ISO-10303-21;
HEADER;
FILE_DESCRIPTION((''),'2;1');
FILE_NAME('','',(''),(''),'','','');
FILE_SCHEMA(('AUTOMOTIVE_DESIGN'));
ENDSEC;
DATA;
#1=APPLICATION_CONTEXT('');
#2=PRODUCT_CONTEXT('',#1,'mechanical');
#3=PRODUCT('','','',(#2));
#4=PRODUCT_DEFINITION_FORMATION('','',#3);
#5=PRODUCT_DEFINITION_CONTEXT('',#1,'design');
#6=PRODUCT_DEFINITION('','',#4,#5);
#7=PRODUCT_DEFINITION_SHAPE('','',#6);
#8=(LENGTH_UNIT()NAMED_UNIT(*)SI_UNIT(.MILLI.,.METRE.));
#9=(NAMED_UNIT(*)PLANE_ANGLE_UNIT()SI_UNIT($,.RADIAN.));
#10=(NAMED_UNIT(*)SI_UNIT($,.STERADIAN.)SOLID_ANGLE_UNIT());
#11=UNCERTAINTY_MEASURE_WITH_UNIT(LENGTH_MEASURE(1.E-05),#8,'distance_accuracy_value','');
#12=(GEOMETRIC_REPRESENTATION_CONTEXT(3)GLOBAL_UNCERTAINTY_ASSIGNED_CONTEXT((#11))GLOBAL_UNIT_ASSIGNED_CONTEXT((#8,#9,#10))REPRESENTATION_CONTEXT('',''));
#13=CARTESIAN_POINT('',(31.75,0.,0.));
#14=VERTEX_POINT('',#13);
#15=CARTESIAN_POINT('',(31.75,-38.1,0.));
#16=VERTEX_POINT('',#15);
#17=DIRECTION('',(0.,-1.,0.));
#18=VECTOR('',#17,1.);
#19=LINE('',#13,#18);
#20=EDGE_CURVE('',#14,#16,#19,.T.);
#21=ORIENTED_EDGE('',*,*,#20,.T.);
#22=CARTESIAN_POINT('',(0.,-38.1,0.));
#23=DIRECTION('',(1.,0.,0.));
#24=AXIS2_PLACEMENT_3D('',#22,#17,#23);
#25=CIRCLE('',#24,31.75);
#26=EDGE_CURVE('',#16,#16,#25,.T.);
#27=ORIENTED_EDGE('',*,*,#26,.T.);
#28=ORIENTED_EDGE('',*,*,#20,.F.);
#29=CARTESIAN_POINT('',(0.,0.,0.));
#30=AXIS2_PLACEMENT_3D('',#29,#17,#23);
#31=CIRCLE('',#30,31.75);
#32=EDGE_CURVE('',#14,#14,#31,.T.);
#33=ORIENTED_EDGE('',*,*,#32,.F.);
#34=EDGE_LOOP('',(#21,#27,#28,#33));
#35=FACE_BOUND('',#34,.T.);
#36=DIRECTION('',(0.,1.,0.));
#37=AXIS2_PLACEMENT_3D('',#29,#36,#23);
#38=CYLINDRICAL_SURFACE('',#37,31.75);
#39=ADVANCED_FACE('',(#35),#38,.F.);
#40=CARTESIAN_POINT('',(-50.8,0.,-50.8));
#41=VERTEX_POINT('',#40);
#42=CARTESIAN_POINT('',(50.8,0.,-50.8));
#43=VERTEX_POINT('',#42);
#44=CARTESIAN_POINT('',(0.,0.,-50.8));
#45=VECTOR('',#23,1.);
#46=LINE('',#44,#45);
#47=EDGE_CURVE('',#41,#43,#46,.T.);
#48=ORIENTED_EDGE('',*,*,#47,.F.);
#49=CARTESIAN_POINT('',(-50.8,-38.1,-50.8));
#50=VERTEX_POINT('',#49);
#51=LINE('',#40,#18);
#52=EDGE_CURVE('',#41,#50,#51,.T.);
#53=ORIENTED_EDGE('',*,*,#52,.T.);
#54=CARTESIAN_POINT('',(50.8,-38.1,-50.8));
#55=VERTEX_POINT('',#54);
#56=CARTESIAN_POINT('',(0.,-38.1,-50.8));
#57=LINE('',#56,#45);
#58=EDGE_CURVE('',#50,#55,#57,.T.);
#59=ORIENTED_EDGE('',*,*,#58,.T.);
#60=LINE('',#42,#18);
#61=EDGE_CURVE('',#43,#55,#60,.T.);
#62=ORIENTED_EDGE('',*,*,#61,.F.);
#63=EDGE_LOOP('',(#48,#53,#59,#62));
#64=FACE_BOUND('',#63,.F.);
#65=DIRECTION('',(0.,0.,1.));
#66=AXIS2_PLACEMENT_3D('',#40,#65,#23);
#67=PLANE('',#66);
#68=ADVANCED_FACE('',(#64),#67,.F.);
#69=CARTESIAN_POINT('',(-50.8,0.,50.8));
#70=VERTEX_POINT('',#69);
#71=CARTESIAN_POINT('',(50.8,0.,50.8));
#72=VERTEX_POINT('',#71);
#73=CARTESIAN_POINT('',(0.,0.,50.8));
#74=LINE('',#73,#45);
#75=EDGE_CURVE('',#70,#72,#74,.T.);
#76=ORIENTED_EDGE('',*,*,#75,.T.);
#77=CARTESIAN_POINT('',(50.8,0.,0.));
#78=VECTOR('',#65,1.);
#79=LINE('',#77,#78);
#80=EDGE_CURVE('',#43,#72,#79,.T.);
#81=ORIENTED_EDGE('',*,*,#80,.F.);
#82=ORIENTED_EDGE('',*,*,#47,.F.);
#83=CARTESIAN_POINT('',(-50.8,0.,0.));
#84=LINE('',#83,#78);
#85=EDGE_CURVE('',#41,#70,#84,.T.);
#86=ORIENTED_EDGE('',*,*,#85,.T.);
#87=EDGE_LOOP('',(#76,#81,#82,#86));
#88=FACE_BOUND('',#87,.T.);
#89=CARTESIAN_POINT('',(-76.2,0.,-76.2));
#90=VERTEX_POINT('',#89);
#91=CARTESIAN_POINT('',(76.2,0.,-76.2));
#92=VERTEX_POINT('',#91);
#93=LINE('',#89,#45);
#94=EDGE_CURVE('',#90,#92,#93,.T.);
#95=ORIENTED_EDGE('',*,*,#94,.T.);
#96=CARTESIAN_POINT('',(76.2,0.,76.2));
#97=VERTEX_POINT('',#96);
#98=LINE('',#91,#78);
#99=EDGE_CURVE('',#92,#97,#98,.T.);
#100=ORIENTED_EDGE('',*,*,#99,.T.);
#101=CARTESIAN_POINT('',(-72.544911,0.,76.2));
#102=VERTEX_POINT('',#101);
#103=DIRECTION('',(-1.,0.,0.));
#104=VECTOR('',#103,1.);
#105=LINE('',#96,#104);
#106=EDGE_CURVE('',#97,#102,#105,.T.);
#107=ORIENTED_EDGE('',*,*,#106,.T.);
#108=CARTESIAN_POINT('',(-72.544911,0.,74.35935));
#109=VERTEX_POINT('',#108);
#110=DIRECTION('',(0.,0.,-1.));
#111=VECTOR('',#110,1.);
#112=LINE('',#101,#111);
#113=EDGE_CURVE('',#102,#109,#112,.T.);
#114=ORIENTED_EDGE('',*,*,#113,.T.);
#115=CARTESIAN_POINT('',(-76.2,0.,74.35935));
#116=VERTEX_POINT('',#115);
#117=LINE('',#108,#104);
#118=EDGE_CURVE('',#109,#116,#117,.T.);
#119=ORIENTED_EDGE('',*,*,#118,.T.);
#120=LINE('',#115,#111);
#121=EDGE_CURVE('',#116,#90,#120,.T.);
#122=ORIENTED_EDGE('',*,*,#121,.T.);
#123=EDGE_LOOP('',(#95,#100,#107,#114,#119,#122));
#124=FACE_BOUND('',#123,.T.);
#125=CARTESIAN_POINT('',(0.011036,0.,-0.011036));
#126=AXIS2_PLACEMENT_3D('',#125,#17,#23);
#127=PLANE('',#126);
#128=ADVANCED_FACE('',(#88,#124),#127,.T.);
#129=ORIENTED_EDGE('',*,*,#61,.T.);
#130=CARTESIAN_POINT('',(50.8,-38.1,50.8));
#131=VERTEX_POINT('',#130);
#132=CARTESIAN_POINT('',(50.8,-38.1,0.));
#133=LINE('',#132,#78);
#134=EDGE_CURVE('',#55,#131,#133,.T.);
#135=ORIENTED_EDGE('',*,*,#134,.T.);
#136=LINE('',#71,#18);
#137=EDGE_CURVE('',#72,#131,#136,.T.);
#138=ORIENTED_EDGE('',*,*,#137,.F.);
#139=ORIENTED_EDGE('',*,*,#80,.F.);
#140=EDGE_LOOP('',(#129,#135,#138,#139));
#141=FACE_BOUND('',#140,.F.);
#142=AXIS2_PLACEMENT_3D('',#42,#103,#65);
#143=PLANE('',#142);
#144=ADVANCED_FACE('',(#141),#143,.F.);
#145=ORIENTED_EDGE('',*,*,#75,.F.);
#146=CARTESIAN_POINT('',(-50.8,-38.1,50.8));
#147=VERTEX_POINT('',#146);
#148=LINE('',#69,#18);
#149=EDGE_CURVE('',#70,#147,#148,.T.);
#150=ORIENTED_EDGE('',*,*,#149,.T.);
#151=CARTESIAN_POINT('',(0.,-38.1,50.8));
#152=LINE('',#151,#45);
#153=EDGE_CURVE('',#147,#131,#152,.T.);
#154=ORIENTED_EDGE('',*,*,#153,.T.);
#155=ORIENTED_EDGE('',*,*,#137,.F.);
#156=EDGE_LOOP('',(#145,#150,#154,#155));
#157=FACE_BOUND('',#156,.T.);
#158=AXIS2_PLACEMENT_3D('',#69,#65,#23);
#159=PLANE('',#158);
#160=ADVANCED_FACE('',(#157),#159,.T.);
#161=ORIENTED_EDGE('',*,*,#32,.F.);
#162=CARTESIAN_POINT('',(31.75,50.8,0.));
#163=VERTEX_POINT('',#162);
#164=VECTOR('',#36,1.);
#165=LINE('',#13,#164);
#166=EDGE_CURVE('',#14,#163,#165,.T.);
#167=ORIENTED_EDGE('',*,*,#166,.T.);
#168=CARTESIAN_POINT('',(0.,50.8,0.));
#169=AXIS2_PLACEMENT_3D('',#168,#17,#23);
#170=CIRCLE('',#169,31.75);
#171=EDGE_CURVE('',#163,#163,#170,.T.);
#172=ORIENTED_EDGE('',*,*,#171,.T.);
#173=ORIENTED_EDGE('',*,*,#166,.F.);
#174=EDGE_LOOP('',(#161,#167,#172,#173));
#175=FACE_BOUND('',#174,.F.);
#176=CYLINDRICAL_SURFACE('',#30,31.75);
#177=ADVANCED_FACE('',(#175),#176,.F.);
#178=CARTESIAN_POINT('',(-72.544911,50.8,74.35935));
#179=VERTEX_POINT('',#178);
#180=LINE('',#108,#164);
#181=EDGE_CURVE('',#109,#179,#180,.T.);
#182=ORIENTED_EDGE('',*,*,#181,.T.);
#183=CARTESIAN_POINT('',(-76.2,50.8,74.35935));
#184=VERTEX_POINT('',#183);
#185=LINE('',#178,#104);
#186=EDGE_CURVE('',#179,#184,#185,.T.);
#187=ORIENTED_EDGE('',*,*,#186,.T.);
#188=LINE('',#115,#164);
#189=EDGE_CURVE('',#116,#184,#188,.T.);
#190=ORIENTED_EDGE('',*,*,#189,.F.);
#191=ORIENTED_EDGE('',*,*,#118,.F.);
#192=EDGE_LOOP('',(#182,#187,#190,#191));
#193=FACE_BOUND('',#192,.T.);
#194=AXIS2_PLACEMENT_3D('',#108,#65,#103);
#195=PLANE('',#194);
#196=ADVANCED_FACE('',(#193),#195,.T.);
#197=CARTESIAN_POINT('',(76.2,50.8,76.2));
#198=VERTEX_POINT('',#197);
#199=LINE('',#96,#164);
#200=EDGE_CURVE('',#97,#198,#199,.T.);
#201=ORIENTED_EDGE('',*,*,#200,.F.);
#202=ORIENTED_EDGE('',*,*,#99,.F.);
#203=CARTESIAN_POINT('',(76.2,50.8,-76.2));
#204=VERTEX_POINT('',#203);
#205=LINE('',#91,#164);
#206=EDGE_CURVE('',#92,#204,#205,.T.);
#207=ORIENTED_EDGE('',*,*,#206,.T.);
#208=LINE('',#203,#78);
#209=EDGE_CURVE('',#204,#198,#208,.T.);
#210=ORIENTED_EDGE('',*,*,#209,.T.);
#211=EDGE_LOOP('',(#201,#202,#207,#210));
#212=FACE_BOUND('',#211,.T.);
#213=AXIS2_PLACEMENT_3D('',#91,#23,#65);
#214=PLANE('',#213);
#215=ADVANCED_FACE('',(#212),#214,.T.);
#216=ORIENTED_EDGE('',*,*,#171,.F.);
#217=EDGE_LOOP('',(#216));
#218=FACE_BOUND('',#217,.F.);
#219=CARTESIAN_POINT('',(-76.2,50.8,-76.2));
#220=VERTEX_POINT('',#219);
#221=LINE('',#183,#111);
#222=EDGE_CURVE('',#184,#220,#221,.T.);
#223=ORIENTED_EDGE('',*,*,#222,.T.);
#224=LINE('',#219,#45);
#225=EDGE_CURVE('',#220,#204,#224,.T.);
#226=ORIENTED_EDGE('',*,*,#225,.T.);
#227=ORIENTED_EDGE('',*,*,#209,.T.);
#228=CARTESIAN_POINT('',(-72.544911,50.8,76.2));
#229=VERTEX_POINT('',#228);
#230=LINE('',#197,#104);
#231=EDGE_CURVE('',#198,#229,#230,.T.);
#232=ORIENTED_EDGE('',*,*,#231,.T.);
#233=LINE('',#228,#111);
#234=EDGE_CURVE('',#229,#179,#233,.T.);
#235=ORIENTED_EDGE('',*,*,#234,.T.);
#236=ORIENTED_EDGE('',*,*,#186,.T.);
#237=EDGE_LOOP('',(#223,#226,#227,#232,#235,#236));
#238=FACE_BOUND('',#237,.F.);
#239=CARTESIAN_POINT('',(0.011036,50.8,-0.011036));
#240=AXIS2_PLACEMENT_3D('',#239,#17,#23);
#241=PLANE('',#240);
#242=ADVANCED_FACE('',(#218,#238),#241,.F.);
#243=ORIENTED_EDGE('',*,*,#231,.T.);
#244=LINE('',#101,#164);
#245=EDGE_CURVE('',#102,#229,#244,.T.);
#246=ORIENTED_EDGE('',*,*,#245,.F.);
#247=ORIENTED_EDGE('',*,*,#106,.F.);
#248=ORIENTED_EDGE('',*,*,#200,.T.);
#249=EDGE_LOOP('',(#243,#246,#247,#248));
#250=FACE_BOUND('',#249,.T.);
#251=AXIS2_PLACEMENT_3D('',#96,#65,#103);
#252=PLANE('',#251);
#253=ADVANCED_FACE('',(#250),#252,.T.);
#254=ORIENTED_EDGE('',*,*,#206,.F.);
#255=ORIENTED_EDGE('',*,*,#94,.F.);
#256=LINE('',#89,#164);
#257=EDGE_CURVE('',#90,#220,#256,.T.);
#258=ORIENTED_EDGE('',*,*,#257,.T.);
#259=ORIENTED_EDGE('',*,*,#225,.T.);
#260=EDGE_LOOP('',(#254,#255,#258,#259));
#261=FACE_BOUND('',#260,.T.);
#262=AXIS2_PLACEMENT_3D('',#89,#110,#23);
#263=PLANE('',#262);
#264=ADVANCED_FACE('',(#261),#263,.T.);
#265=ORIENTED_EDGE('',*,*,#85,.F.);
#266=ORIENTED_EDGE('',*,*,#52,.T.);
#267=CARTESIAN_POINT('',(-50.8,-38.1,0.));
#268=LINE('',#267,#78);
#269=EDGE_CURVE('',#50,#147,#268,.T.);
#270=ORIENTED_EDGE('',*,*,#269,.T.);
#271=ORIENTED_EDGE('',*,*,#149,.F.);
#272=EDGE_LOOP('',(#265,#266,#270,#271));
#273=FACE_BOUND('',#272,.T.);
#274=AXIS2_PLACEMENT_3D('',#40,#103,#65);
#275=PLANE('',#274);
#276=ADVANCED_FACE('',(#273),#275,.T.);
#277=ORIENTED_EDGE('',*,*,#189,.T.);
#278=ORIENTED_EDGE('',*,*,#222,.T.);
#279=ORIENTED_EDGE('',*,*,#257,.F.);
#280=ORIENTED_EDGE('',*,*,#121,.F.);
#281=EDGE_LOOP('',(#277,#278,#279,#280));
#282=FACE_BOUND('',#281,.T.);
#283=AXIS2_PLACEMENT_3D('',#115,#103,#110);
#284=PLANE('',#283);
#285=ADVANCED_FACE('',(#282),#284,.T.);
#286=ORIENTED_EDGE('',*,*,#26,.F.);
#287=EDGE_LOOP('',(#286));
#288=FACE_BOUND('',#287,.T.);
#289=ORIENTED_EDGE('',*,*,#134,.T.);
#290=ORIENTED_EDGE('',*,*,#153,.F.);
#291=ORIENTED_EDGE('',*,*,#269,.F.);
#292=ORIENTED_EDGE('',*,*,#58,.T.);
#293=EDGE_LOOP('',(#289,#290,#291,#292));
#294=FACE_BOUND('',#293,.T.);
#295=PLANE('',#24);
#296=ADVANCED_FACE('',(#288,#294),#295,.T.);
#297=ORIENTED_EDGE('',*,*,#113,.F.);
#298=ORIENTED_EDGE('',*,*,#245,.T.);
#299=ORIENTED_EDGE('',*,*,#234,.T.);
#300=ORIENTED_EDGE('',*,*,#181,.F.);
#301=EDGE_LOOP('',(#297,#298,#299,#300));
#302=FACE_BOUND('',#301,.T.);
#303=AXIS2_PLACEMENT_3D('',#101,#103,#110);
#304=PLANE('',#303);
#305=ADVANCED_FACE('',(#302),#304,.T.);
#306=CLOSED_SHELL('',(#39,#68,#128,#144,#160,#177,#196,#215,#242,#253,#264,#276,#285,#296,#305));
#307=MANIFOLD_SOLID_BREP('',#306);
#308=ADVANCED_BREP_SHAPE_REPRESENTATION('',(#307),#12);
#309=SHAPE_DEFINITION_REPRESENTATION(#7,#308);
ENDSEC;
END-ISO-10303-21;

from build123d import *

# Parameters (mm, degrees)
F0_W     = 101.6
F0_H     = 101.6
F0_R     = 31.75
F1_DEPTH = 38.1
F2_R     = 31.75
F3_DEPTH = 50.8


with BuildPart() as f1:
    # F0 (on Front) → F1 (new body)
    with BuildSketch(Plane.XZ):
        Rectangle(F0_W, F0_H)
        Circle(F0_R, mode=Mode.SUBTRACT)
    extrude(amount=F1_DEPTH)

    # F2 (on Front) → F3 (join)
    with BuildSketch(Plane.XZ):
        Polygon((-72.544911, 76.2), (-72.544911, 74.35935), (-76.2, 74.35935), (-76.2, -76.2), (76.2, -76.2), (76.2, 76.2), align=None)
        Circle(F2_R, mode=Mode.SUBTRACT)
    extrude(amount=-F3_DEPTH)


solid = f1.part
